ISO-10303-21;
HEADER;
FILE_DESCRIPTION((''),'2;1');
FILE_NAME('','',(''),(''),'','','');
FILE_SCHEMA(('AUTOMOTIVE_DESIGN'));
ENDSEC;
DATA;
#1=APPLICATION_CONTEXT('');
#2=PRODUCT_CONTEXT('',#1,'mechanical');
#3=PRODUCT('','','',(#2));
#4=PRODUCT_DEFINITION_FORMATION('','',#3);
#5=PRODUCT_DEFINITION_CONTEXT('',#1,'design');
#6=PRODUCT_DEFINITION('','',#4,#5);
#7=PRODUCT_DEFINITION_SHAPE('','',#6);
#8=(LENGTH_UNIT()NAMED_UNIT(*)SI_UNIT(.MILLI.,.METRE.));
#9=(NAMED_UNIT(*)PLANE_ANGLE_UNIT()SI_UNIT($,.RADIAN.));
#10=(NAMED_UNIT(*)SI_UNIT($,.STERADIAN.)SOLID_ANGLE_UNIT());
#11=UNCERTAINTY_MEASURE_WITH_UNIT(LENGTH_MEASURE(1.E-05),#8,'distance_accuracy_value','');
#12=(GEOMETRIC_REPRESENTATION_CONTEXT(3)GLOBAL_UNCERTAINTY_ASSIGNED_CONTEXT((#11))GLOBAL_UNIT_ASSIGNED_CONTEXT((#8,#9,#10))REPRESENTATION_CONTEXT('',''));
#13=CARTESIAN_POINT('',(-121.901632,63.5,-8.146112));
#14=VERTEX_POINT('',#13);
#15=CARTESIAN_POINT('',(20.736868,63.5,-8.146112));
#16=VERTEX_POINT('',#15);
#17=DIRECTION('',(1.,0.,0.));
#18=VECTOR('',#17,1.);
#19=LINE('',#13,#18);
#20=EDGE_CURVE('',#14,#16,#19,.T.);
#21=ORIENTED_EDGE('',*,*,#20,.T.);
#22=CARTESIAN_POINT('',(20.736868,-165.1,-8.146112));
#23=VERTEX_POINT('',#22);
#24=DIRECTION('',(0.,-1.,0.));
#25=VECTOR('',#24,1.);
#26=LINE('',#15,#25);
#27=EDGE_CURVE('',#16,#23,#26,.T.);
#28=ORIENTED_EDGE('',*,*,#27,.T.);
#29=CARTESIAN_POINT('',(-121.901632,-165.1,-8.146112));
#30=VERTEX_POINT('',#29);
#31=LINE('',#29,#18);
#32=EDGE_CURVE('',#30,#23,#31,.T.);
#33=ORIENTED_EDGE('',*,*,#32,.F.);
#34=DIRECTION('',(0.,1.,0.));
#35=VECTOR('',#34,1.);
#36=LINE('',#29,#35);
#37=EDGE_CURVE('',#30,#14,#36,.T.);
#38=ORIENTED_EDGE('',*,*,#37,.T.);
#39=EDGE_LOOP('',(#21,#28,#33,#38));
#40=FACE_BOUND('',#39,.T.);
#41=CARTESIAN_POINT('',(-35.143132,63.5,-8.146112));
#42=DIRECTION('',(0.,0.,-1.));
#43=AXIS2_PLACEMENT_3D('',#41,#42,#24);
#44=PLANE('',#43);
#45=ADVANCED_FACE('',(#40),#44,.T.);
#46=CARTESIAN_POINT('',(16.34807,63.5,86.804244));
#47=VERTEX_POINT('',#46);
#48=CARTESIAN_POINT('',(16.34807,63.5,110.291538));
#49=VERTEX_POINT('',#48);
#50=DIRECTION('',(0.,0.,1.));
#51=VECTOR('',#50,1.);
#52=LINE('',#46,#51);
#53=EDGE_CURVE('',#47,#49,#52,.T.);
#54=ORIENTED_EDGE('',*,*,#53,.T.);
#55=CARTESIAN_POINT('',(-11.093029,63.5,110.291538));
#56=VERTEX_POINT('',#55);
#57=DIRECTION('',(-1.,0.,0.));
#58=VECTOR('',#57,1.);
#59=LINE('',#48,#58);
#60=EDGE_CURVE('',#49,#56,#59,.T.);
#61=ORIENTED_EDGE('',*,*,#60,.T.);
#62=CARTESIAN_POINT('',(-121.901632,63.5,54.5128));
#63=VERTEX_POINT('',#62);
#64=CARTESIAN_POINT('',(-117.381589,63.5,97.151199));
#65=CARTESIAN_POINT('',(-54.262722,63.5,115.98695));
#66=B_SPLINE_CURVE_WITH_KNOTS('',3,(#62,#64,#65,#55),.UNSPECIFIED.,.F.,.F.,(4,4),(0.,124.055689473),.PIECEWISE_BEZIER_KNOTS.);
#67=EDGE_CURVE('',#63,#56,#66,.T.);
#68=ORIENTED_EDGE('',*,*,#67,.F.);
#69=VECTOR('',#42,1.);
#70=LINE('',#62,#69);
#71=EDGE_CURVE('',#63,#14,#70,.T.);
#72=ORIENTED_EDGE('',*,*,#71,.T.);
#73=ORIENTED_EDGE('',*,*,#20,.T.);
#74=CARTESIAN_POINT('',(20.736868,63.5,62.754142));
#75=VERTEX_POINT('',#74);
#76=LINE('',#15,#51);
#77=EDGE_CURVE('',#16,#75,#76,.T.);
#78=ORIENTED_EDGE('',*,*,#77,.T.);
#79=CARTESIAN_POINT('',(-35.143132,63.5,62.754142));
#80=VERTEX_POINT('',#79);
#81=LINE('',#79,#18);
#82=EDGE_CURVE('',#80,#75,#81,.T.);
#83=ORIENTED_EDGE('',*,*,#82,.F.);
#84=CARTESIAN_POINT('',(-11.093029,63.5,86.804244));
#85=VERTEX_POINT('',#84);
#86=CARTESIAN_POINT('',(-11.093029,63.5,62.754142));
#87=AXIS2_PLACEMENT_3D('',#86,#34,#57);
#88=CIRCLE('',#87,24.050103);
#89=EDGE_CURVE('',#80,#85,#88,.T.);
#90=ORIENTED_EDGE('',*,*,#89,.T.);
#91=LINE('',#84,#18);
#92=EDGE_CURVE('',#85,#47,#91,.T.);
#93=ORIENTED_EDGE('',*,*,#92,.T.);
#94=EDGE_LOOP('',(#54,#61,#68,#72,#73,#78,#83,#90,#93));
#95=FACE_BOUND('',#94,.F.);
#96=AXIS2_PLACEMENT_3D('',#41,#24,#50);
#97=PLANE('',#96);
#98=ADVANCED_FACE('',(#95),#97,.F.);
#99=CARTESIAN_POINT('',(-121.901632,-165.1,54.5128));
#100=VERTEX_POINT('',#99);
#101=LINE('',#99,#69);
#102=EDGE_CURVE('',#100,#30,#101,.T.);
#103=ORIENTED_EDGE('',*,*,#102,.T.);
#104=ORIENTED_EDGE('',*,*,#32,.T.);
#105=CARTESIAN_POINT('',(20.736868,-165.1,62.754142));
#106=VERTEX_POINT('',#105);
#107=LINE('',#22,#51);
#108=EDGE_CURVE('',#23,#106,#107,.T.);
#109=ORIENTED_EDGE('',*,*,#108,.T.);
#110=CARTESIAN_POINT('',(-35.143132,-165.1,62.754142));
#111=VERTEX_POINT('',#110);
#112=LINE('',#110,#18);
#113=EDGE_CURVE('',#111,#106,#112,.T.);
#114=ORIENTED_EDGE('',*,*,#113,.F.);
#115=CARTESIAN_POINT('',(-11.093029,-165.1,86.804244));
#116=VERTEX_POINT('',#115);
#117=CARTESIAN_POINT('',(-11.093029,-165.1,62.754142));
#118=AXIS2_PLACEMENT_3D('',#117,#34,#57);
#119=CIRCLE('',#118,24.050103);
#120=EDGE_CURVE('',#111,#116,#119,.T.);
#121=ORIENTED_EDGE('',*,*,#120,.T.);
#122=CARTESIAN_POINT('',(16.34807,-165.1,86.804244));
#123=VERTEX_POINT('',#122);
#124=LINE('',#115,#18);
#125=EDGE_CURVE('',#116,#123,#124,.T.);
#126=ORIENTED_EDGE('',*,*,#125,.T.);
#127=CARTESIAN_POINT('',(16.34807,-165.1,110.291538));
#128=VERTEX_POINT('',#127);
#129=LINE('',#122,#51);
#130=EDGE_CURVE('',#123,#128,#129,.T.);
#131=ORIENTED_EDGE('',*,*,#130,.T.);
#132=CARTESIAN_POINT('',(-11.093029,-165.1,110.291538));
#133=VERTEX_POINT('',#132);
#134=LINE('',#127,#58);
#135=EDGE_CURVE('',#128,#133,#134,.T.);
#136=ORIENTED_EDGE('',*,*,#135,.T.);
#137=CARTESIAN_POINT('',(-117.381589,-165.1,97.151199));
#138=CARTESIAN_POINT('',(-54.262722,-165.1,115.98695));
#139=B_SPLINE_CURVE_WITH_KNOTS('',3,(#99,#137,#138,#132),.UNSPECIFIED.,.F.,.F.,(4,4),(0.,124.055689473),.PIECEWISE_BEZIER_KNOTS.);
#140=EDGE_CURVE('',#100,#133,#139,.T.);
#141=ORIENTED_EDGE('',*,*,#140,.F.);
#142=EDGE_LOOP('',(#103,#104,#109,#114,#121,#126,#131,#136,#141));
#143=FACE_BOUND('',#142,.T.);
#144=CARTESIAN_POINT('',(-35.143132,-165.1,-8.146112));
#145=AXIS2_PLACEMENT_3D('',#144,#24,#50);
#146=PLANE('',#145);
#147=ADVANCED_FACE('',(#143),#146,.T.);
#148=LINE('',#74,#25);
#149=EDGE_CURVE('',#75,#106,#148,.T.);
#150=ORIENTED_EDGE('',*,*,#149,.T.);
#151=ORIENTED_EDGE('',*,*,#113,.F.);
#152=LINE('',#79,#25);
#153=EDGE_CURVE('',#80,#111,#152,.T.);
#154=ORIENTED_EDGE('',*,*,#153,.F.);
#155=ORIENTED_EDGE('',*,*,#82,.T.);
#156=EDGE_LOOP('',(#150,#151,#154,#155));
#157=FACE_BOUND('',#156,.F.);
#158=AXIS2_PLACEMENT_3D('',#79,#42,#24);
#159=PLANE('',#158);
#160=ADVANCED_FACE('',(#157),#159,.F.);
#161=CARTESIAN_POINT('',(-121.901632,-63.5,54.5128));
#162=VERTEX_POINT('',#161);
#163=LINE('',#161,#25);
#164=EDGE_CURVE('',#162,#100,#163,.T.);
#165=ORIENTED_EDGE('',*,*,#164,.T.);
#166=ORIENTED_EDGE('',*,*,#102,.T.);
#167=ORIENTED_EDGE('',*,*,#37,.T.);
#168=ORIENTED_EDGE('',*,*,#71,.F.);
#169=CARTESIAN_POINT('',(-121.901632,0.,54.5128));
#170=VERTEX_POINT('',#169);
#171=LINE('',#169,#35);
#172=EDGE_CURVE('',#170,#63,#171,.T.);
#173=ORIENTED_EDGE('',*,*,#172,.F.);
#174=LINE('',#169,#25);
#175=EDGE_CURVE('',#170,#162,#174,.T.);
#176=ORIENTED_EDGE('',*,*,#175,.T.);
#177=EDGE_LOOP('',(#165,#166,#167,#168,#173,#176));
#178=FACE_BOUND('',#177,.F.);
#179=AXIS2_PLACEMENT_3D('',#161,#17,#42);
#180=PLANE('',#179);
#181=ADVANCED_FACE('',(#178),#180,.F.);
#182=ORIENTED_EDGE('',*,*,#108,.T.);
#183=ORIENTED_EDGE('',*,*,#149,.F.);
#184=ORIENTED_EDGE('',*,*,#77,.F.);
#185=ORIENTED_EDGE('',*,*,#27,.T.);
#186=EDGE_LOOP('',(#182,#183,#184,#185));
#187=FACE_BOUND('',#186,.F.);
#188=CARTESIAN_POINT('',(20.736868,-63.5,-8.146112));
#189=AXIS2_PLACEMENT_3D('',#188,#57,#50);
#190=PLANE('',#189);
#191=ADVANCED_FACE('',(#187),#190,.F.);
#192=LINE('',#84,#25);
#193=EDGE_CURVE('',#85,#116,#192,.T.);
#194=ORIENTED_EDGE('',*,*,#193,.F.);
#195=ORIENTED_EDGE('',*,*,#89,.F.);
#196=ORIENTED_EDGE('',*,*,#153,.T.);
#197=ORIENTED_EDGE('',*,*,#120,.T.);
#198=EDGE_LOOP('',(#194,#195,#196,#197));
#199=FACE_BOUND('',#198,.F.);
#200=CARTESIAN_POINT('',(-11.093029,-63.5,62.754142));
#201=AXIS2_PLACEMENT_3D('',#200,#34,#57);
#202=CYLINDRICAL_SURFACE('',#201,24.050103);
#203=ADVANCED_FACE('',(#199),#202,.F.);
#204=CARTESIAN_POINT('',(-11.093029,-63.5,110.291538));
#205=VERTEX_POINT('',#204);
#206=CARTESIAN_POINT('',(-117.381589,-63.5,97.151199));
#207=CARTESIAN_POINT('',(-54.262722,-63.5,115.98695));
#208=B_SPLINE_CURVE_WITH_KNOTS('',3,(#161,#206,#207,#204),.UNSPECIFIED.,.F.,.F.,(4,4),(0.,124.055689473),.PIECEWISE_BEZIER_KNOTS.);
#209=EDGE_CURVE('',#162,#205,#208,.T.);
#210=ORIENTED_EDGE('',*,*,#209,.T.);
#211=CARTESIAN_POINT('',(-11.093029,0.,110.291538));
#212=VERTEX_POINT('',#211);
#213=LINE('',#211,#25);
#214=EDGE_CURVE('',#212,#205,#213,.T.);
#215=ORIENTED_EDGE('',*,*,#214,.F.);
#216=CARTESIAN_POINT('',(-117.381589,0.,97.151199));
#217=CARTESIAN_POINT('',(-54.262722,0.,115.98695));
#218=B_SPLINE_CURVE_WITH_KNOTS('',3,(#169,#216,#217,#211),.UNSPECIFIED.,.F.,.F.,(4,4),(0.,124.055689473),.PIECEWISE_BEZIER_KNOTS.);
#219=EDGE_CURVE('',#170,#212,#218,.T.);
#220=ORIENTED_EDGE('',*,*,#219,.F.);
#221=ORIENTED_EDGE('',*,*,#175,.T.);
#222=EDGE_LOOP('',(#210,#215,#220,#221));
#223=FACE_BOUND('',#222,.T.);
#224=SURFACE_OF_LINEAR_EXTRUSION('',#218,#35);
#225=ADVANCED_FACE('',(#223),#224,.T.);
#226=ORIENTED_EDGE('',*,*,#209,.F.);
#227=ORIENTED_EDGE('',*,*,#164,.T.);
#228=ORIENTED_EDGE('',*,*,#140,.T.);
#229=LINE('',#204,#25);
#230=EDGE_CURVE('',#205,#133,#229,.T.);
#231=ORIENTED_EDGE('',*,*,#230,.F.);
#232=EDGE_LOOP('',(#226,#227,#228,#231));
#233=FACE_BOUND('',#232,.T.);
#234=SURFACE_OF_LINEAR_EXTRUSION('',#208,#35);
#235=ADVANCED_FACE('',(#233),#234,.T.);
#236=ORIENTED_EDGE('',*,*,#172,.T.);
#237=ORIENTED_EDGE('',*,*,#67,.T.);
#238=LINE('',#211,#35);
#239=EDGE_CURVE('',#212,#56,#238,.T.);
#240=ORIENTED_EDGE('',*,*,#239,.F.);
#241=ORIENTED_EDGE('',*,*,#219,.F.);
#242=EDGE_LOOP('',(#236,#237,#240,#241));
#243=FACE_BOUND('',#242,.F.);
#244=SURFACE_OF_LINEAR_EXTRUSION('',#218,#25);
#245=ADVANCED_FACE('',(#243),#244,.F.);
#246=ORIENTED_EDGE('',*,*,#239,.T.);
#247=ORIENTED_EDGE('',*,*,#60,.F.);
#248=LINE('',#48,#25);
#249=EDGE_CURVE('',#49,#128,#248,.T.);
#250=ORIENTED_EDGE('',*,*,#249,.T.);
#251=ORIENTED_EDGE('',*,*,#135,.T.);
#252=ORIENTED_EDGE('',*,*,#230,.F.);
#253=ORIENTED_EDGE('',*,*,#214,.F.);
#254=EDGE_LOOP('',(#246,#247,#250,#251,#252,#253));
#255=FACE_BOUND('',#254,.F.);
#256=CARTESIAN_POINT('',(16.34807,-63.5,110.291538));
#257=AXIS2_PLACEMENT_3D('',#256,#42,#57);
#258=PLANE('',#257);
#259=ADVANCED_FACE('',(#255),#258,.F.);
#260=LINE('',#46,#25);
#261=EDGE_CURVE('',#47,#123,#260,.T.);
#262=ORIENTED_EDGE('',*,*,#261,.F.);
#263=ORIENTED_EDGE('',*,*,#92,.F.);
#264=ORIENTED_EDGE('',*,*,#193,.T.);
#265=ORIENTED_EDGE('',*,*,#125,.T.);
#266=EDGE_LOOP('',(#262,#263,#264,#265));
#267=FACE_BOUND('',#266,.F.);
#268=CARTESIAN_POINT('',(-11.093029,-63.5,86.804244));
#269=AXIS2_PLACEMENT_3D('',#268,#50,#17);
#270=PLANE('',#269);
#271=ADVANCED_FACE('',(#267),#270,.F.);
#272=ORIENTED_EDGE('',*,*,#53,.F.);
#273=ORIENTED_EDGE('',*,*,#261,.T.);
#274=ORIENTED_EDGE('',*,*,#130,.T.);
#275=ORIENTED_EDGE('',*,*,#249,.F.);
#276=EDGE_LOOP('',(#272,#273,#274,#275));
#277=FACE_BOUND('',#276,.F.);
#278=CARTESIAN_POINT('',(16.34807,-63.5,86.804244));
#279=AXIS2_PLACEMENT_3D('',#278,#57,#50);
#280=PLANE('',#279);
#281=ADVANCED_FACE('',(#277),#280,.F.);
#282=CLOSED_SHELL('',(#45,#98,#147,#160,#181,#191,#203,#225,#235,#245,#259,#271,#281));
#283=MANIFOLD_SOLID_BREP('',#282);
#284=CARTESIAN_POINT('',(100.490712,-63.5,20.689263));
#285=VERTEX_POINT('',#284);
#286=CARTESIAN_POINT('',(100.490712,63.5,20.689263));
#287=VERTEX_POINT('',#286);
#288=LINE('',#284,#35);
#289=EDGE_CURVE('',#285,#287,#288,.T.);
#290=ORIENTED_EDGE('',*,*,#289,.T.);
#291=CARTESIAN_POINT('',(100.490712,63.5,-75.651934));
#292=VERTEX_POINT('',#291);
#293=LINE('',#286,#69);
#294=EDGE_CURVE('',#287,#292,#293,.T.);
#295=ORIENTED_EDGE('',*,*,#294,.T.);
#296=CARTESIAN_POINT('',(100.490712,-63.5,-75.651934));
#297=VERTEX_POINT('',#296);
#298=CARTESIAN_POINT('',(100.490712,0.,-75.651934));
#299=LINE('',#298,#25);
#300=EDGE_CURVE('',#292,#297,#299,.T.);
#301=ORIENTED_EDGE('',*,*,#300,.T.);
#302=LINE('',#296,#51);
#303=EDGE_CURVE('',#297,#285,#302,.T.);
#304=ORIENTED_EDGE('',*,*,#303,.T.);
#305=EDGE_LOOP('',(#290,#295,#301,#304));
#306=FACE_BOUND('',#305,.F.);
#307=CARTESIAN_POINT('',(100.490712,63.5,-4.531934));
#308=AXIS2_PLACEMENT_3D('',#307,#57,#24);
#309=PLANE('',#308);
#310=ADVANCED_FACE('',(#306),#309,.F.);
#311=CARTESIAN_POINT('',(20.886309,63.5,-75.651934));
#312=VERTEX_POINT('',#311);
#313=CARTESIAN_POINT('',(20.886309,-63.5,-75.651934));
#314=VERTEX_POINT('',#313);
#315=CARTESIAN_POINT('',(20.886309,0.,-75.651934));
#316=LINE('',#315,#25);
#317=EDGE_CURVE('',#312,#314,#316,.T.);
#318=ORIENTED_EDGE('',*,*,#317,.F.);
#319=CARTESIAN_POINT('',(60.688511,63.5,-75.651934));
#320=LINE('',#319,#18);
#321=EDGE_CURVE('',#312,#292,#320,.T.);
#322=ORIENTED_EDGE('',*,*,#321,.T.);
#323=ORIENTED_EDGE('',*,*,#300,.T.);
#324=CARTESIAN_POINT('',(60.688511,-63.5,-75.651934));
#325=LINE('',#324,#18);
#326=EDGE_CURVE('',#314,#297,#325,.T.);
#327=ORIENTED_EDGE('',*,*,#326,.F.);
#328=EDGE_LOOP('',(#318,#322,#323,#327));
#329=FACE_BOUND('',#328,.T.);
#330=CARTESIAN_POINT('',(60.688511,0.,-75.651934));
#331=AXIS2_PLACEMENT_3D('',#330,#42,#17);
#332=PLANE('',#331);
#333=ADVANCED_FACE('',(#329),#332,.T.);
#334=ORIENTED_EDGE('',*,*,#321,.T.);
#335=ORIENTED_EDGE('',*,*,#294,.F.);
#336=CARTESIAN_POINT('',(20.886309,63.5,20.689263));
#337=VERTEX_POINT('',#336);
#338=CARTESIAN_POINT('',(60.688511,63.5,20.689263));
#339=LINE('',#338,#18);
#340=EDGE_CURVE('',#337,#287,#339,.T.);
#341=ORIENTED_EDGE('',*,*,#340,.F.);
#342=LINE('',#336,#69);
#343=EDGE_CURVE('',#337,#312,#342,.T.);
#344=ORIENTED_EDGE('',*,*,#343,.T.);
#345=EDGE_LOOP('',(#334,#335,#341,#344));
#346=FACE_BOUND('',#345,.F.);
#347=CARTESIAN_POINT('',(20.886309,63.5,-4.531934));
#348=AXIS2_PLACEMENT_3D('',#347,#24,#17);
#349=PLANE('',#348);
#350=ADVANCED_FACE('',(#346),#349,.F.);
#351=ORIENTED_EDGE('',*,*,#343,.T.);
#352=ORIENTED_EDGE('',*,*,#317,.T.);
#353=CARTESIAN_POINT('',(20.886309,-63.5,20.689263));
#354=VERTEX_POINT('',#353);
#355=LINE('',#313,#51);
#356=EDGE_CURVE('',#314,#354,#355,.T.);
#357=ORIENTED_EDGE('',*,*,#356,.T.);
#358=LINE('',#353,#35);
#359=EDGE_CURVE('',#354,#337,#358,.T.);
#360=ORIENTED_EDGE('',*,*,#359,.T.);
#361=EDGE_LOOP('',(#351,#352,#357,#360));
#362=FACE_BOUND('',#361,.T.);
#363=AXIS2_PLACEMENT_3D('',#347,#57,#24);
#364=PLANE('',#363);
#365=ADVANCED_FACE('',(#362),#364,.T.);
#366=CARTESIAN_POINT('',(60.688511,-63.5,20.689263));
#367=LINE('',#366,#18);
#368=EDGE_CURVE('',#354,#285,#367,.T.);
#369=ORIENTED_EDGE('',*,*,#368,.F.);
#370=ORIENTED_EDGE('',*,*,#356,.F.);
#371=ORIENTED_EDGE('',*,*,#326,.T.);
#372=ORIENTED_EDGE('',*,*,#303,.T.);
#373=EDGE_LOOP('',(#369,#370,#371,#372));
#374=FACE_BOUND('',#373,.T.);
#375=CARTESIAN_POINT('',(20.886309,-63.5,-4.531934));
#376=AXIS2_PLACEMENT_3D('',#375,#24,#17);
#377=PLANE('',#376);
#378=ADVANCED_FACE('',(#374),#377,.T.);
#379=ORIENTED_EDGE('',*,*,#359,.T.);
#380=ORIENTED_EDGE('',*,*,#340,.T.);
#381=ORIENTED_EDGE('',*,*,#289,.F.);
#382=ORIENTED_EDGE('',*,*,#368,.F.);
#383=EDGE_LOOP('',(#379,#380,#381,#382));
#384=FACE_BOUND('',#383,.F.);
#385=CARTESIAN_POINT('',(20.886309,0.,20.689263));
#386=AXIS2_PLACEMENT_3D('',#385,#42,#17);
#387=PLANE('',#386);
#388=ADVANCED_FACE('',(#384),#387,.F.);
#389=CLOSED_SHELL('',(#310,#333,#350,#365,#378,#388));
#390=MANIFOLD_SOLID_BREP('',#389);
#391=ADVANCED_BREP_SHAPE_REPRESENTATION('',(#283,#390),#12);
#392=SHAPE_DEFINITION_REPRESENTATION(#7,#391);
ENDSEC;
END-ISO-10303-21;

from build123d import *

# Parameters (mm, degrees)
F1_DEPTH = 63.5
F0_W     = 79.6044021845
F0_H     = 25.2211969346
F2_DEPTH = 101.6
F3_DEPTH = 55.88
F4_W     = 79.6044021845
F4_H     = 127
F5_DEPTH = 71.12


with BuildPart() as f1:
    # F0 (on Front) → F1 (new body, symmetric)
    with BuildSketch(Plane.XZ):
        Polygon((-121.9016323911, -8.1461117186), (-35.1431321867, -8.1461117186), (-35.1431321867, 54.5127998523), (-58.6304253743, 54.5127998523), (-121.9016323911, 54.5127998523), align=None)
        with BuildLine():
            Line((-58.6304253743, 54.5127998523), (-35.1431321867, 54.5127998523))
            Line((-35.1431321867, 54.5127998523), (-35.1431321867, 62.754141607))
            ThreePointArc((-35.1431321867, 62.754141607), (-28.0990201588, 79.7601323996), (-11.0930293662, 86.8042444275))
            Line((-11.0930293662, 86.8042444275), (16.3480704476, 86.8042444275))
            Line((16.3480704476, 86.8042444275), (16.3480704476, 110.2915376151))
            Line((16.3480704476, 110.2915376151), (-11.0930293662, 110.2915376151))
            ThreePointArc((-11.0930293662, 110.2915376151), (-44.7070444435, 96.3681566843), (-58.6304253743, 62.754141607))
            Line((-58.6304253743, 62.754141607), (-58.6304253743, 54.5127998523))
        make_face()
        with BuildLine():
            add(Edge.make_bspline(
                [(-121.9016323911, 54.5127998523), (-117.3815886684, 97.1511993913), (-54.2627216707, 115.9869502764), (-11.0930293662, 110.2915376151)],
                knots=[0, 0, 0, 0, 124.0556894734, 124.0556894734, 124.0556894734, 124.0556894734], degree=3))
            Line((-121.9016323911, 54.5127998523), (-58.6304253743, 54.5127998523))
            Line((-58.6304253743, 54.5127998523), (-58.6304253743, 62.754141607))
            ThreePointArc((-58.6304253743, 62.754141607), (-44.7070444435, 96.3681566843), (-11.0930293662, 110.2915376151))
        make_face()
    extrude(amount=F1_DEPTH, both=True)

    # F2 (add): a face of the model
    f2_faces = [f1.faces().sort_by_distance(p)[0] for p in [
        (-67.329024411, -63.5, 52.0323549127),
    ]]
    extrude(f2_faces, amount=F2_DEPTH)

    # F3 (add): a face of the model
    f3_faces = [f1.faces().sort_by_distance(p)[0] for p in [
        (-35.1431321867, -50.8, 27.3040149442),
    ]]
    extrude(f3_faces, amount=F3_DEPTH)


with BuildPart() as f1b:
    # F0 (on Front) → F1, piece 2 (new body, symmetric)
    with BuildSketch(Plane.XZ):
        with Locations((60.6885105371, 8.0786645412)):
            Rectangle(F0_W, F0_H)
    extrude(amount=F1_DEPTH, both=True)

    # F4 (on face) → F5 (join)
    with BuildSketch(Plane(origin=(0, 0, -4.531933926), x_dir=(1, 0, 0), z_dir=(0, 0, -1))):
        with Locations((60.6885105371, 0)):
            Rectangle(F4_W, F4_H)
    extrude(amount=F5_DEPTH)


solid = Compound([f1.part, f1b.part])
